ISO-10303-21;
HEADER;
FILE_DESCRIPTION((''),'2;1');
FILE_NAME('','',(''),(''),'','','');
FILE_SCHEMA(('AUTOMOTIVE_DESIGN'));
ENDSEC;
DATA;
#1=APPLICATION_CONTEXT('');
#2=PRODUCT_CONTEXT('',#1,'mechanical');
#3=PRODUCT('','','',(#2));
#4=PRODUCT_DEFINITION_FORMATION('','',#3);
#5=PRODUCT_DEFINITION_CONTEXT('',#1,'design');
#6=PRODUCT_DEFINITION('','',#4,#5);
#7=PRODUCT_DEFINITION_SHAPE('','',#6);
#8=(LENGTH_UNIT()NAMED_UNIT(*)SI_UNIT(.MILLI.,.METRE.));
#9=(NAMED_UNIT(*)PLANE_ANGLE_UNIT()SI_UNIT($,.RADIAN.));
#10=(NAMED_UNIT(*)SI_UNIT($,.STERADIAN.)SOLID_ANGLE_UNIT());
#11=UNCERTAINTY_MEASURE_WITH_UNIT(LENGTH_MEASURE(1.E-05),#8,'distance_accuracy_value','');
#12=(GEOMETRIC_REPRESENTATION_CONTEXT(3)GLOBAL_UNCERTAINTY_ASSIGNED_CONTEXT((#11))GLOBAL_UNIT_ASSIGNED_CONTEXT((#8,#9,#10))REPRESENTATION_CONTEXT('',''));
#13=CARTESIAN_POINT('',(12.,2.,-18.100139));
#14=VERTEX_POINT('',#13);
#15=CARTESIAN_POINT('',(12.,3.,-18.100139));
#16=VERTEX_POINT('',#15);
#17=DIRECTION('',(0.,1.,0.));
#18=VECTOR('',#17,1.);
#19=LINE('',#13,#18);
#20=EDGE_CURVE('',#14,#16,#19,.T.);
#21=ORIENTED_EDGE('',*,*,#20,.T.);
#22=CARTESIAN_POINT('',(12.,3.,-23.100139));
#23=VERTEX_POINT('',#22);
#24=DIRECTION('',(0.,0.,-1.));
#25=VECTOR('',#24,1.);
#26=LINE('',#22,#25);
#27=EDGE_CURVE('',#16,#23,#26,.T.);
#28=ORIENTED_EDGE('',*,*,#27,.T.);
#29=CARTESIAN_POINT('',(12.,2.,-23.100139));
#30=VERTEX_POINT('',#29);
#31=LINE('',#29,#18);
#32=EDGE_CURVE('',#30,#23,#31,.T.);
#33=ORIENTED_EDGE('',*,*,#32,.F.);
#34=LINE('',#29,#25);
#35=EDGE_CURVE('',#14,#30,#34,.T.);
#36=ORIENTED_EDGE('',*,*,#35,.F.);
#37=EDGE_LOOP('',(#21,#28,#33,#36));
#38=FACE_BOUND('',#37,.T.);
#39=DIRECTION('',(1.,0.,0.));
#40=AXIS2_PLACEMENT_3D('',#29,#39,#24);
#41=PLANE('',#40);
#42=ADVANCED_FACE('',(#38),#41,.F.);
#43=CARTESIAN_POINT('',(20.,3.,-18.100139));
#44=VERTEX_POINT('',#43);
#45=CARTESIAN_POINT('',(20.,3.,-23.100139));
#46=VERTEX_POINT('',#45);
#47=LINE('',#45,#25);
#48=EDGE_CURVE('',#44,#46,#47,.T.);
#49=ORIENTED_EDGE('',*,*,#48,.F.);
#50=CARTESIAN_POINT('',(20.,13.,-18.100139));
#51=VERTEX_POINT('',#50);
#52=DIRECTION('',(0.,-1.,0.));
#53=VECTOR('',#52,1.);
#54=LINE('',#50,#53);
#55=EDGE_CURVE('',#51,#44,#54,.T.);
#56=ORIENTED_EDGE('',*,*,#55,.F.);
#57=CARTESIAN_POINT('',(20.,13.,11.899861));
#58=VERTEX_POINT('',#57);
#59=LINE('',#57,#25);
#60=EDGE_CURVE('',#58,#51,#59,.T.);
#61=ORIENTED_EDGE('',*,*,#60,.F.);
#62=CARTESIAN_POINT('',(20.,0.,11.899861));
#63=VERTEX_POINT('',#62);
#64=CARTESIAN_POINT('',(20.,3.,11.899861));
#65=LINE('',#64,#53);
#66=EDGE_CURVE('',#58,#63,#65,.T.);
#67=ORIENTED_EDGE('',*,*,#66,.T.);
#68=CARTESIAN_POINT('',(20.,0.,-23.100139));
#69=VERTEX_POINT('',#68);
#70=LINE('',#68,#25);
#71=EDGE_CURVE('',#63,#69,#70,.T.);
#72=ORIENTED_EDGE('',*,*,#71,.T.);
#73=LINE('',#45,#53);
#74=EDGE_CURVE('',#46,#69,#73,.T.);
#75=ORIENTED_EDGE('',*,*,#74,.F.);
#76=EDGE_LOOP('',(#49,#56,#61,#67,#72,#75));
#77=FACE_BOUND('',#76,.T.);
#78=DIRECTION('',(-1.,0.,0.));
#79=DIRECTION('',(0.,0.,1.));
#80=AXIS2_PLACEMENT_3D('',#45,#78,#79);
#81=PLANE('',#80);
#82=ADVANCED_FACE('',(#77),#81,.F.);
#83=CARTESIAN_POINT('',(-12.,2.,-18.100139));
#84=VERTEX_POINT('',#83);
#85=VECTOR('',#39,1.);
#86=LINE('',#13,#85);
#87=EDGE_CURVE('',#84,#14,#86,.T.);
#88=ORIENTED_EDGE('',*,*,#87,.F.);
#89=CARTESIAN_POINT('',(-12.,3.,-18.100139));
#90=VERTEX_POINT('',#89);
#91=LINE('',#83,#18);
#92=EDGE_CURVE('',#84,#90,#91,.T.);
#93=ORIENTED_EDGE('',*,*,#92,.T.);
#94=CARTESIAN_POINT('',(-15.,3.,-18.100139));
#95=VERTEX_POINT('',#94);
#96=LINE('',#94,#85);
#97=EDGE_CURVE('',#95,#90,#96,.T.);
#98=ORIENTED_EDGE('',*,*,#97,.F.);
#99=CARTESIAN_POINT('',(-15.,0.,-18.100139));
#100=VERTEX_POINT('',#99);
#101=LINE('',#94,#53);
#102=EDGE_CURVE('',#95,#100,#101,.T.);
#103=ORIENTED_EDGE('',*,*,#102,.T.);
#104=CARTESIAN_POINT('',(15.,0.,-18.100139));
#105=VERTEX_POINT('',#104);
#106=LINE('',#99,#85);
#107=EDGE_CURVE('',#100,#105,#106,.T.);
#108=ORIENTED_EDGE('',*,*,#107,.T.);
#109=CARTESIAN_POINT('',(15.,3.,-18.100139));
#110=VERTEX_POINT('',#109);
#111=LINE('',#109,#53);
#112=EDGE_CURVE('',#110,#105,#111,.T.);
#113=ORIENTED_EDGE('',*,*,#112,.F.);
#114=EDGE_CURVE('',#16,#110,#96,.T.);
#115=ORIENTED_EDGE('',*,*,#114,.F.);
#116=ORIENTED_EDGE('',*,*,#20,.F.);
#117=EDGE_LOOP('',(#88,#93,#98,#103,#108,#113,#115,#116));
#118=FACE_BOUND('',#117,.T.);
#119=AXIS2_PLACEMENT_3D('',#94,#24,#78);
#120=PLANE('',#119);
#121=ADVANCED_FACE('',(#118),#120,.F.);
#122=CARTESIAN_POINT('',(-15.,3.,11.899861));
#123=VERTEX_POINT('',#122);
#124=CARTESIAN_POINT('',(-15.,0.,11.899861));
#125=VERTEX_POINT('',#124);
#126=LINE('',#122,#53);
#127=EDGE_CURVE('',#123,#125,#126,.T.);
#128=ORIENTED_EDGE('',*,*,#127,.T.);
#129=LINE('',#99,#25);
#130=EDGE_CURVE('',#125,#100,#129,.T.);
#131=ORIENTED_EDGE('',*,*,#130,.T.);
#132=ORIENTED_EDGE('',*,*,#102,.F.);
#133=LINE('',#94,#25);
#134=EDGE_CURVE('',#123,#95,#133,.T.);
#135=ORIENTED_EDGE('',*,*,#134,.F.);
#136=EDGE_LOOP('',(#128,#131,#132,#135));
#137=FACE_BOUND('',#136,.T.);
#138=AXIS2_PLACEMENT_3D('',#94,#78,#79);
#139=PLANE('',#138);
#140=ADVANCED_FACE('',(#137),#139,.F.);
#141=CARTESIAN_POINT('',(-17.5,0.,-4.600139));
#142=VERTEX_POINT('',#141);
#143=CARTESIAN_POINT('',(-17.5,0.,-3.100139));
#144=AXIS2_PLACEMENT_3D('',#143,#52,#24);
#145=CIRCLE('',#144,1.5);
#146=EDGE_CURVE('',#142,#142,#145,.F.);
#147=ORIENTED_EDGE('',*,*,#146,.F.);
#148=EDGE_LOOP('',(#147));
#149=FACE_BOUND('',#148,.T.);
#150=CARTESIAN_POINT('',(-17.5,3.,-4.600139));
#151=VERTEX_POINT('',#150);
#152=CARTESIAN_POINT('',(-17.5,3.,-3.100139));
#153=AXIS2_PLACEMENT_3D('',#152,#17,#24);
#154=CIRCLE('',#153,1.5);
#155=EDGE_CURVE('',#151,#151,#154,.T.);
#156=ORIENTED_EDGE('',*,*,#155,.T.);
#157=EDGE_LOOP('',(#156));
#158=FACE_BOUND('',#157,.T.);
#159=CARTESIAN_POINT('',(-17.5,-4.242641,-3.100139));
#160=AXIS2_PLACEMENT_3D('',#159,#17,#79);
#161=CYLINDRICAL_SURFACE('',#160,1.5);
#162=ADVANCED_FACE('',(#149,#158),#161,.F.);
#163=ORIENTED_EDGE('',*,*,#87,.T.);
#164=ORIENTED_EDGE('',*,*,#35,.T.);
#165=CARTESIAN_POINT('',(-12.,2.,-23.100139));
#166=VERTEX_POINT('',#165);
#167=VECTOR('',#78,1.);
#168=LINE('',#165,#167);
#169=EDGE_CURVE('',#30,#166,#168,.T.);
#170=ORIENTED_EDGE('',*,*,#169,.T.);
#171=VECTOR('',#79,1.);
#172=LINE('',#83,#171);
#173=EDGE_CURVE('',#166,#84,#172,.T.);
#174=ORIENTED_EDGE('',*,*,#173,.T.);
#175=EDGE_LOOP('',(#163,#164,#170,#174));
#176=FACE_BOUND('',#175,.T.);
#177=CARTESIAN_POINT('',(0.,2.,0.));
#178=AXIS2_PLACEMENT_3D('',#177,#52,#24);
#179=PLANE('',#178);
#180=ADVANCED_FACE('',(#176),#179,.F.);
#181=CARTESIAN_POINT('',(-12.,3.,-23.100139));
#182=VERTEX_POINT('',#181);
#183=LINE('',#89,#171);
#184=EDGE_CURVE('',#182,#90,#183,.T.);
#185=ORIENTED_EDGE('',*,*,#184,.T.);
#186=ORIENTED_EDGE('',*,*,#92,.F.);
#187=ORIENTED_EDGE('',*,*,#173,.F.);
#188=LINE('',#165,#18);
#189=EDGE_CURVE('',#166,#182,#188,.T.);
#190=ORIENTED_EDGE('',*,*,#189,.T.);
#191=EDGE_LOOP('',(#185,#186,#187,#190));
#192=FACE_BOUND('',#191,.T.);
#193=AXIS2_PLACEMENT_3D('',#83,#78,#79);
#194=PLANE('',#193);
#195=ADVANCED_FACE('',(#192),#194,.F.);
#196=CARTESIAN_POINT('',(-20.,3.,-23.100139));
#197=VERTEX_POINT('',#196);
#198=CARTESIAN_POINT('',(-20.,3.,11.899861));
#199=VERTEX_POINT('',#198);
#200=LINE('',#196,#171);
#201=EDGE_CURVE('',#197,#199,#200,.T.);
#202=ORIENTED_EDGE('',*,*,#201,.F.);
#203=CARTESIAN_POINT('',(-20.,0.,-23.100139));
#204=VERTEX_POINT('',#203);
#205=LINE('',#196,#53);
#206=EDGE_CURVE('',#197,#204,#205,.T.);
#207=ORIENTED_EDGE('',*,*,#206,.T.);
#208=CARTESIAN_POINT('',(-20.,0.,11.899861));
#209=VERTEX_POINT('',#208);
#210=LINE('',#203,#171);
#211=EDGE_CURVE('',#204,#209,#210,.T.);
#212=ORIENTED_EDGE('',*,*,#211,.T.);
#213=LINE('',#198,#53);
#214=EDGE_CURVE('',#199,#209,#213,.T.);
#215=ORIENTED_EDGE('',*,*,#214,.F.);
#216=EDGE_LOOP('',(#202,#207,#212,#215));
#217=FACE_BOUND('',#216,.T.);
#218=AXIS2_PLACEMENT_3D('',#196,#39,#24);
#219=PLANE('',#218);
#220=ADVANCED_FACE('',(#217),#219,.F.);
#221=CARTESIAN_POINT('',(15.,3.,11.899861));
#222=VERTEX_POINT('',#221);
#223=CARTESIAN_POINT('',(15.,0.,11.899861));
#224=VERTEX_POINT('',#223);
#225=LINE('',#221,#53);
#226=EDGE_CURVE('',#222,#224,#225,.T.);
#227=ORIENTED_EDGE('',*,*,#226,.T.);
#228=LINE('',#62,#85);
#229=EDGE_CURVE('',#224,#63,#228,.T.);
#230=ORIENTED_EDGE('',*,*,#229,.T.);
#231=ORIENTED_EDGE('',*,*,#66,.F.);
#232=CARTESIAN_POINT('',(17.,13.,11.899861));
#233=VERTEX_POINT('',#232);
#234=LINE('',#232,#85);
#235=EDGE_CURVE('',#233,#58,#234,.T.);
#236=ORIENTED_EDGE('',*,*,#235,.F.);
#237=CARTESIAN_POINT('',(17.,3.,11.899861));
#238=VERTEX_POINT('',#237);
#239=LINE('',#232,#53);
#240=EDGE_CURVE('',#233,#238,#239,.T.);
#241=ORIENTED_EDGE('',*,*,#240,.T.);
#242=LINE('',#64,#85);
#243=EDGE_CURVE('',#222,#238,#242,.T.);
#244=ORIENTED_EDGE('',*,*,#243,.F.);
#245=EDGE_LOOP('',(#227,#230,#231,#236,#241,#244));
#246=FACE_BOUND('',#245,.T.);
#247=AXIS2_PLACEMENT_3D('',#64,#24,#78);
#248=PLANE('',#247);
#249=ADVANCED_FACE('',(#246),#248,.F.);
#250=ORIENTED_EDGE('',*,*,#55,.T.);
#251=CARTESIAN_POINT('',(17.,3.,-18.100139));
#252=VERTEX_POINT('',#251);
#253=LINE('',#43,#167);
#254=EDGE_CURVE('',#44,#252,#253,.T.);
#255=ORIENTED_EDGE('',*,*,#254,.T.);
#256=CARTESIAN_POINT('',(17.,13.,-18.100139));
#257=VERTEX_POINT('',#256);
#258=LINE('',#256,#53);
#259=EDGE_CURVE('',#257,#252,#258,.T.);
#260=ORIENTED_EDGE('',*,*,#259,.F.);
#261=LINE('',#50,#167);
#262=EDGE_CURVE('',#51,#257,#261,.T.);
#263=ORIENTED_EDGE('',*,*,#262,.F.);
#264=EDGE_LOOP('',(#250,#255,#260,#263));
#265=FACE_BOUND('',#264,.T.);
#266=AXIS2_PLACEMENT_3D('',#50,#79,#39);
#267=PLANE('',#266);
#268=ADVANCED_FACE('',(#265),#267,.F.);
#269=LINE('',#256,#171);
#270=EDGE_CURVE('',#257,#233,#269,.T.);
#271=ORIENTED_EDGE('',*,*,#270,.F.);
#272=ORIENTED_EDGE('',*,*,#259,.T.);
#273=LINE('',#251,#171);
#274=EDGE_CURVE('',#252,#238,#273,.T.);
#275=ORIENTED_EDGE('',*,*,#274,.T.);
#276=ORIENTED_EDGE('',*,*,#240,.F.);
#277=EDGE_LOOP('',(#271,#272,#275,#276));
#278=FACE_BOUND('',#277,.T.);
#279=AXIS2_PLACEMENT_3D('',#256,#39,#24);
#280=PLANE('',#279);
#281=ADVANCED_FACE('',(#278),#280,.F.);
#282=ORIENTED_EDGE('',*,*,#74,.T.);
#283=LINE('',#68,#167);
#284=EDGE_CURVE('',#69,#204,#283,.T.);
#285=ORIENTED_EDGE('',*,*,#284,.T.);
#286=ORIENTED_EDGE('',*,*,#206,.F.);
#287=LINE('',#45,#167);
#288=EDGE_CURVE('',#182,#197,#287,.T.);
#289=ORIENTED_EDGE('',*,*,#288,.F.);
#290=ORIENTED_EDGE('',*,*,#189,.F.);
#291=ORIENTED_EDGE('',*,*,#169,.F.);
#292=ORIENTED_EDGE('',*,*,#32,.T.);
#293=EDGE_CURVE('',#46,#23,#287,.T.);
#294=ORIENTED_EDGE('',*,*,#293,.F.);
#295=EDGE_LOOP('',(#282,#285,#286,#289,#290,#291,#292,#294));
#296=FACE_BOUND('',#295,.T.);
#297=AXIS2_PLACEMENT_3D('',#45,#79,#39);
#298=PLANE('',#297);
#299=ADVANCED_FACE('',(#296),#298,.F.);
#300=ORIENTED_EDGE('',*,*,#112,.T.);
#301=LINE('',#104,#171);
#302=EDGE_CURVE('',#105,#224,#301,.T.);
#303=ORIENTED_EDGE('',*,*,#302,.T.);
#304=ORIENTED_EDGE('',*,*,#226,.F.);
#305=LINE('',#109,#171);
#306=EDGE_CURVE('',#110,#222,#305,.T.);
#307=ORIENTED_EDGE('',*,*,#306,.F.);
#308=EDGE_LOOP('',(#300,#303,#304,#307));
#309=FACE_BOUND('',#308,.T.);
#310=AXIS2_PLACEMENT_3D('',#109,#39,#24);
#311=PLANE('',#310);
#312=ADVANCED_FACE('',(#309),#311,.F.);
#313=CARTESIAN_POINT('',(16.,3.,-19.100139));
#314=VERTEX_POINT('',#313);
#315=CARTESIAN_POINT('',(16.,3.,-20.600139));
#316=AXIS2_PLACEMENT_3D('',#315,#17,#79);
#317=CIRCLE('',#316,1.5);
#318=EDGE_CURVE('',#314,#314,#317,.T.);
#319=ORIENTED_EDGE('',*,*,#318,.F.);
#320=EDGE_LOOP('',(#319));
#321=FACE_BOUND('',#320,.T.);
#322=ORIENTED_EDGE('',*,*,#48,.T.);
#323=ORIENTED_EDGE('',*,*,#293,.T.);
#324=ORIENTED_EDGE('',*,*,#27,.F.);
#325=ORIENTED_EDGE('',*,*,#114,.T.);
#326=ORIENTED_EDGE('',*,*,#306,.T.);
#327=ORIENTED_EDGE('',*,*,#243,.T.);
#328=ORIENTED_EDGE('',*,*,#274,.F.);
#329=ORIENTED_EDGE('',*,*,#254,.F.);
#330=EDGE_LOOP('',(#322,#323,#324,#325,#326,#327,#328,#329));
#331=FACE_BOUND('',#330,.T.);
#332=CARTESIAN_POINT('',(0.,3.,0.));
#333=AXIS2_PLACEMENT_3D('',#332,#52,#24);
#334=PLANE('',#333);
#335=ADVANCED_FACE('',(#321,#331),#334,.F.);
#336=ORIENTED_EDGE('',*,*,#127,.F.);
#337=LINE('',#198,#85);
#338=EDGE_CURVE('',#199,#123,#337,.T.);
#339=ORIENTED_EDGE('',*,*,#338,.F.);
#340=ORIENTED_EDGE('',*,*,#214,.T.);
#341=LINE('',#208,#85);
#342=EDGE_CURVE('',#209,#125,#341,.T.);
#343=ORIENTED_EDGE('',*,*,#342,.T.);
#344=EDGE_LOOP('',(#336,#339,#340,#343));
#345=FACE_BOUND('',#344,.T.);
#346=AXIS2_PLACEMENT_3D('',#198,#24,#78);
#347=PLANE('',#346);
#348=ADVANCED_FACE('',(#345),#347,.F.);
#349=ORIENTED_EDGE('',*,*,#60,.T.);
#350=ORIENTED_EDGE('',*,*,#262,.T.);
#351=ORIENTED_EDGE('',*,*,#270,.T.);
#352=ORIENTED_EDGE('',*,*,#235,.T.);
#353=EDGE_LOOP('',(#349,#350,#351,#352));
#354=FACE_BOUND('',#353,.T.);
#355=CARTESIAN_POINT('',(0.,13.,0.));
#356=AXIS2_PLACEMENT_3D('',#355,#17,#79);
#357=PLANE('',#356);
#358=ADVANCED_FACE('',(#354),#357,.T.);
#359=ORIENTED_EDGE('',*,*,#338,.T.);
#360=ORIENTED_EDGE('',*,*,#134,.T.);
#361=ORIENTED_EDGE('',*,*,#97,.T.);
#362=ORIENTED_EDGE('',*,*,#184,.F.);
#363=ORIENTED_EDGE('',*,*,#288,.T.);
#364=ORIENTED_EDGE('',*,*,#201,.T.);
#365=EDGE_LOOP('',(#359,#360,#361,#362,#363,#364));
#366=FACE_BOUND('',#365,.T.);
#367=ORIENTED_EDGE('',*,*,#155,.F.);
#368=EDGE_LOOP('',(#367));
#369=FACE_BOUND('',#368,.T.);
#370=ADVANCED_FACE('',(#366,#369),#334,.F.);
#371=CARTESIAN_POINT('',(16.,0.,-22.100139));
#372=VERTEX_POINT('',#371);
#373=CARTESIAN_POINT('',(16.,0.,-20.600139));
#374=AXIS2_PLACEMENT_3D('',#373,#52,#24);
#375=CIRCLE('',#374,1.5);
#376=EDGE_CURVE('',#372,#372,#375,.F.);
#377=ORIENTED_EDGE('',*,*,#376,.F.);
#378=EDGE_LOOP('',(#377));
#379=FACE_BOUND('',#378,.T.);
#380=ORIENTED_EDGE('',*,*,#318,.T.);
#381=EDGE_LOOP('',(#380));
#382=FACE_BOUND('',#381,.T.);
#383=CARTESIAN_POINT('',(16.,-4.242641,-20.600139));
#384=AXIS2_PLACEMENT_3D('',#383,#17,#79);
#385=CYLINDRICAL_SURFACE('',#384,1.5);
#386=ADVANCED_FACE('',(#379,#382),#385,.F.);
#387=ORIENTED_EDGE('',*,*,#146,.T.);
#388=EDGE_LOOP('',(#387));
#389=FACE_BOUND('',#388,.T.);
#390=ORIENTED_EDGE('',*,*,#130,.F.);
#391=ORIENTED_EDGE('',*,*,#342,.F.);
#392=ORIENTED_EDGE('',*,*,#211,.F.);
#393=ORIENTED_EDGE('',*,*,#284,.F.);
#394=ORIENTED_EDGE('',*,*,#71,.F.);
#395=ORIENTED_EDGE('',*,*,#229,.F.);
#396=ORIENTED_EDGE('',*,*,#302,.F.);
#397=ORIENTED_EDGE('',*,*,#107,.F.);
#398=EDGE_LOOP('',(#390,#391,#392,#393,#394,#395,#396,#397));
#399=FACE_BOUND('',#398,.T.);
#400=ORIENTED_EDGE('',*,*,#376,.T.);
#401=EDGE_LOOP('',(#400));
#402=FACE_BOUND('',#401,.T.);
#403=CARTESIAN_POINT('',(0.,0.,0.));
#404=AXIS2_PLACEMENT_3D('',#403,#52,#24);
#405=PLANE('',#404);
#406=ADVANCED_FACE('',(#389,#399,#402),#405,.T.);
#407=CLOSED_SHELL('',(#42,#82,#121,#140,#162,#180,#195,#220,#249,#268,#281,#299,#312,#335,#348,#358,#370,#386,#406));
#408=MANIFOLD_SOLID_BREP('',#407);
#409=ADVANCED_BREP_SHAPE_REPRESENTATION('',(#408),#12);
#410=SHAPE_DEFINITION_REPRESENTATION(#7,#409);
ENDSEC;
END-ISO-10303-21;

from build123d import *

# Parameters (mm, degrees)
BOSS_EXTRUDE1_DEPTH = 3
SKETCH2_R           = 1.5
CUT_EXTRUDE1_DEPTH  = 3
SKETCH3_W           = 24
SKETCH3_H           = 5
CUT_EXTRUDE2_DEPTH  = 1
SKETCH4_W           = 3
SKETCH4_H           = 30
BOSS_EXTRUDE2_DEPTH = 10
SKETCH5_R           = 1.5
CUT_EXTRUDE3_DEPTH  = 3


with BuildPart() as part:
    # Sketch1 → Boss-Extrude1 (new body)
    with BuildSketch(Plane(origin=(0, 0, 0), x_dir=(1, 0, 0), z_dir=(0, 1, 0))):
        Polygon((20, -11.899861304), (15, -11.899861304), (15, 18.100138696), (-15, 18.100138696), (-15, -11.899861304), (-20, -11.899861304), (-20, 23.100138696), (20, 23.100138696), align=None)
    extrude(amount=BOSS_EXTRUDE1_DEPTH)

    # Sketch2 → Cut-Extrude1 (cut)
    with BuildSketch(Plane(origin=(0, 3, 0), x_dir=(1, 0, 0), z_dir=(0, 1, 0))):
        with Locations(Location((-17.5, 3.100138696, 0), (0, 0, 90))):
            Circle(SKETCH2_R)
    extrude(amount=-CUT_EXTRUDE1_DEPTH, mode=Mode.SUBTRACT)

    # Sketch3 → Cut-Extrude2 (cut)
    with BuildSketch(Plane(origin=(0, 3, 0), x_dir=(1, 0, 0), z_dir=(0, 1, 0))):
        with Locations((0, 20.600138696)):
            Rectangle(SKETCH3_W, SKETCH3_H)
    extrude(amount=-CUT_EXTRUDE2_DEPTH, mode=Mode.SUBTRACT)

    # Sketch4 → Boss-Extrude2 (add)
    with BuildSketch(Plane(origin=(0, 3, 0), x_dir=(1, 0, 0), z_dir=(0, 1, 0))):
        with Locations((18.5, 3.100138696)):
            Rectangle(SKETCH4_W, SKETCH4_H)
    extrude(amount=BOSS_EXTRUDE2_DEPTH)

    # Sketch5 → Cut-Extrude3 (cut)
    with BuildSketch(Plane(origin=(0, 3, 0), x_dir=(1, 0, 0), z_dir=(0, 1, 0))):
        with Locations(Location((16, 20.600138696, 0), (0, 0, 270))):
            Circle(SKETCH5_R)
    extrude(amount=-CUT_EXTRUDE3_DEPTH, mode=Mode.SUBTRACT)


solid = part.part
